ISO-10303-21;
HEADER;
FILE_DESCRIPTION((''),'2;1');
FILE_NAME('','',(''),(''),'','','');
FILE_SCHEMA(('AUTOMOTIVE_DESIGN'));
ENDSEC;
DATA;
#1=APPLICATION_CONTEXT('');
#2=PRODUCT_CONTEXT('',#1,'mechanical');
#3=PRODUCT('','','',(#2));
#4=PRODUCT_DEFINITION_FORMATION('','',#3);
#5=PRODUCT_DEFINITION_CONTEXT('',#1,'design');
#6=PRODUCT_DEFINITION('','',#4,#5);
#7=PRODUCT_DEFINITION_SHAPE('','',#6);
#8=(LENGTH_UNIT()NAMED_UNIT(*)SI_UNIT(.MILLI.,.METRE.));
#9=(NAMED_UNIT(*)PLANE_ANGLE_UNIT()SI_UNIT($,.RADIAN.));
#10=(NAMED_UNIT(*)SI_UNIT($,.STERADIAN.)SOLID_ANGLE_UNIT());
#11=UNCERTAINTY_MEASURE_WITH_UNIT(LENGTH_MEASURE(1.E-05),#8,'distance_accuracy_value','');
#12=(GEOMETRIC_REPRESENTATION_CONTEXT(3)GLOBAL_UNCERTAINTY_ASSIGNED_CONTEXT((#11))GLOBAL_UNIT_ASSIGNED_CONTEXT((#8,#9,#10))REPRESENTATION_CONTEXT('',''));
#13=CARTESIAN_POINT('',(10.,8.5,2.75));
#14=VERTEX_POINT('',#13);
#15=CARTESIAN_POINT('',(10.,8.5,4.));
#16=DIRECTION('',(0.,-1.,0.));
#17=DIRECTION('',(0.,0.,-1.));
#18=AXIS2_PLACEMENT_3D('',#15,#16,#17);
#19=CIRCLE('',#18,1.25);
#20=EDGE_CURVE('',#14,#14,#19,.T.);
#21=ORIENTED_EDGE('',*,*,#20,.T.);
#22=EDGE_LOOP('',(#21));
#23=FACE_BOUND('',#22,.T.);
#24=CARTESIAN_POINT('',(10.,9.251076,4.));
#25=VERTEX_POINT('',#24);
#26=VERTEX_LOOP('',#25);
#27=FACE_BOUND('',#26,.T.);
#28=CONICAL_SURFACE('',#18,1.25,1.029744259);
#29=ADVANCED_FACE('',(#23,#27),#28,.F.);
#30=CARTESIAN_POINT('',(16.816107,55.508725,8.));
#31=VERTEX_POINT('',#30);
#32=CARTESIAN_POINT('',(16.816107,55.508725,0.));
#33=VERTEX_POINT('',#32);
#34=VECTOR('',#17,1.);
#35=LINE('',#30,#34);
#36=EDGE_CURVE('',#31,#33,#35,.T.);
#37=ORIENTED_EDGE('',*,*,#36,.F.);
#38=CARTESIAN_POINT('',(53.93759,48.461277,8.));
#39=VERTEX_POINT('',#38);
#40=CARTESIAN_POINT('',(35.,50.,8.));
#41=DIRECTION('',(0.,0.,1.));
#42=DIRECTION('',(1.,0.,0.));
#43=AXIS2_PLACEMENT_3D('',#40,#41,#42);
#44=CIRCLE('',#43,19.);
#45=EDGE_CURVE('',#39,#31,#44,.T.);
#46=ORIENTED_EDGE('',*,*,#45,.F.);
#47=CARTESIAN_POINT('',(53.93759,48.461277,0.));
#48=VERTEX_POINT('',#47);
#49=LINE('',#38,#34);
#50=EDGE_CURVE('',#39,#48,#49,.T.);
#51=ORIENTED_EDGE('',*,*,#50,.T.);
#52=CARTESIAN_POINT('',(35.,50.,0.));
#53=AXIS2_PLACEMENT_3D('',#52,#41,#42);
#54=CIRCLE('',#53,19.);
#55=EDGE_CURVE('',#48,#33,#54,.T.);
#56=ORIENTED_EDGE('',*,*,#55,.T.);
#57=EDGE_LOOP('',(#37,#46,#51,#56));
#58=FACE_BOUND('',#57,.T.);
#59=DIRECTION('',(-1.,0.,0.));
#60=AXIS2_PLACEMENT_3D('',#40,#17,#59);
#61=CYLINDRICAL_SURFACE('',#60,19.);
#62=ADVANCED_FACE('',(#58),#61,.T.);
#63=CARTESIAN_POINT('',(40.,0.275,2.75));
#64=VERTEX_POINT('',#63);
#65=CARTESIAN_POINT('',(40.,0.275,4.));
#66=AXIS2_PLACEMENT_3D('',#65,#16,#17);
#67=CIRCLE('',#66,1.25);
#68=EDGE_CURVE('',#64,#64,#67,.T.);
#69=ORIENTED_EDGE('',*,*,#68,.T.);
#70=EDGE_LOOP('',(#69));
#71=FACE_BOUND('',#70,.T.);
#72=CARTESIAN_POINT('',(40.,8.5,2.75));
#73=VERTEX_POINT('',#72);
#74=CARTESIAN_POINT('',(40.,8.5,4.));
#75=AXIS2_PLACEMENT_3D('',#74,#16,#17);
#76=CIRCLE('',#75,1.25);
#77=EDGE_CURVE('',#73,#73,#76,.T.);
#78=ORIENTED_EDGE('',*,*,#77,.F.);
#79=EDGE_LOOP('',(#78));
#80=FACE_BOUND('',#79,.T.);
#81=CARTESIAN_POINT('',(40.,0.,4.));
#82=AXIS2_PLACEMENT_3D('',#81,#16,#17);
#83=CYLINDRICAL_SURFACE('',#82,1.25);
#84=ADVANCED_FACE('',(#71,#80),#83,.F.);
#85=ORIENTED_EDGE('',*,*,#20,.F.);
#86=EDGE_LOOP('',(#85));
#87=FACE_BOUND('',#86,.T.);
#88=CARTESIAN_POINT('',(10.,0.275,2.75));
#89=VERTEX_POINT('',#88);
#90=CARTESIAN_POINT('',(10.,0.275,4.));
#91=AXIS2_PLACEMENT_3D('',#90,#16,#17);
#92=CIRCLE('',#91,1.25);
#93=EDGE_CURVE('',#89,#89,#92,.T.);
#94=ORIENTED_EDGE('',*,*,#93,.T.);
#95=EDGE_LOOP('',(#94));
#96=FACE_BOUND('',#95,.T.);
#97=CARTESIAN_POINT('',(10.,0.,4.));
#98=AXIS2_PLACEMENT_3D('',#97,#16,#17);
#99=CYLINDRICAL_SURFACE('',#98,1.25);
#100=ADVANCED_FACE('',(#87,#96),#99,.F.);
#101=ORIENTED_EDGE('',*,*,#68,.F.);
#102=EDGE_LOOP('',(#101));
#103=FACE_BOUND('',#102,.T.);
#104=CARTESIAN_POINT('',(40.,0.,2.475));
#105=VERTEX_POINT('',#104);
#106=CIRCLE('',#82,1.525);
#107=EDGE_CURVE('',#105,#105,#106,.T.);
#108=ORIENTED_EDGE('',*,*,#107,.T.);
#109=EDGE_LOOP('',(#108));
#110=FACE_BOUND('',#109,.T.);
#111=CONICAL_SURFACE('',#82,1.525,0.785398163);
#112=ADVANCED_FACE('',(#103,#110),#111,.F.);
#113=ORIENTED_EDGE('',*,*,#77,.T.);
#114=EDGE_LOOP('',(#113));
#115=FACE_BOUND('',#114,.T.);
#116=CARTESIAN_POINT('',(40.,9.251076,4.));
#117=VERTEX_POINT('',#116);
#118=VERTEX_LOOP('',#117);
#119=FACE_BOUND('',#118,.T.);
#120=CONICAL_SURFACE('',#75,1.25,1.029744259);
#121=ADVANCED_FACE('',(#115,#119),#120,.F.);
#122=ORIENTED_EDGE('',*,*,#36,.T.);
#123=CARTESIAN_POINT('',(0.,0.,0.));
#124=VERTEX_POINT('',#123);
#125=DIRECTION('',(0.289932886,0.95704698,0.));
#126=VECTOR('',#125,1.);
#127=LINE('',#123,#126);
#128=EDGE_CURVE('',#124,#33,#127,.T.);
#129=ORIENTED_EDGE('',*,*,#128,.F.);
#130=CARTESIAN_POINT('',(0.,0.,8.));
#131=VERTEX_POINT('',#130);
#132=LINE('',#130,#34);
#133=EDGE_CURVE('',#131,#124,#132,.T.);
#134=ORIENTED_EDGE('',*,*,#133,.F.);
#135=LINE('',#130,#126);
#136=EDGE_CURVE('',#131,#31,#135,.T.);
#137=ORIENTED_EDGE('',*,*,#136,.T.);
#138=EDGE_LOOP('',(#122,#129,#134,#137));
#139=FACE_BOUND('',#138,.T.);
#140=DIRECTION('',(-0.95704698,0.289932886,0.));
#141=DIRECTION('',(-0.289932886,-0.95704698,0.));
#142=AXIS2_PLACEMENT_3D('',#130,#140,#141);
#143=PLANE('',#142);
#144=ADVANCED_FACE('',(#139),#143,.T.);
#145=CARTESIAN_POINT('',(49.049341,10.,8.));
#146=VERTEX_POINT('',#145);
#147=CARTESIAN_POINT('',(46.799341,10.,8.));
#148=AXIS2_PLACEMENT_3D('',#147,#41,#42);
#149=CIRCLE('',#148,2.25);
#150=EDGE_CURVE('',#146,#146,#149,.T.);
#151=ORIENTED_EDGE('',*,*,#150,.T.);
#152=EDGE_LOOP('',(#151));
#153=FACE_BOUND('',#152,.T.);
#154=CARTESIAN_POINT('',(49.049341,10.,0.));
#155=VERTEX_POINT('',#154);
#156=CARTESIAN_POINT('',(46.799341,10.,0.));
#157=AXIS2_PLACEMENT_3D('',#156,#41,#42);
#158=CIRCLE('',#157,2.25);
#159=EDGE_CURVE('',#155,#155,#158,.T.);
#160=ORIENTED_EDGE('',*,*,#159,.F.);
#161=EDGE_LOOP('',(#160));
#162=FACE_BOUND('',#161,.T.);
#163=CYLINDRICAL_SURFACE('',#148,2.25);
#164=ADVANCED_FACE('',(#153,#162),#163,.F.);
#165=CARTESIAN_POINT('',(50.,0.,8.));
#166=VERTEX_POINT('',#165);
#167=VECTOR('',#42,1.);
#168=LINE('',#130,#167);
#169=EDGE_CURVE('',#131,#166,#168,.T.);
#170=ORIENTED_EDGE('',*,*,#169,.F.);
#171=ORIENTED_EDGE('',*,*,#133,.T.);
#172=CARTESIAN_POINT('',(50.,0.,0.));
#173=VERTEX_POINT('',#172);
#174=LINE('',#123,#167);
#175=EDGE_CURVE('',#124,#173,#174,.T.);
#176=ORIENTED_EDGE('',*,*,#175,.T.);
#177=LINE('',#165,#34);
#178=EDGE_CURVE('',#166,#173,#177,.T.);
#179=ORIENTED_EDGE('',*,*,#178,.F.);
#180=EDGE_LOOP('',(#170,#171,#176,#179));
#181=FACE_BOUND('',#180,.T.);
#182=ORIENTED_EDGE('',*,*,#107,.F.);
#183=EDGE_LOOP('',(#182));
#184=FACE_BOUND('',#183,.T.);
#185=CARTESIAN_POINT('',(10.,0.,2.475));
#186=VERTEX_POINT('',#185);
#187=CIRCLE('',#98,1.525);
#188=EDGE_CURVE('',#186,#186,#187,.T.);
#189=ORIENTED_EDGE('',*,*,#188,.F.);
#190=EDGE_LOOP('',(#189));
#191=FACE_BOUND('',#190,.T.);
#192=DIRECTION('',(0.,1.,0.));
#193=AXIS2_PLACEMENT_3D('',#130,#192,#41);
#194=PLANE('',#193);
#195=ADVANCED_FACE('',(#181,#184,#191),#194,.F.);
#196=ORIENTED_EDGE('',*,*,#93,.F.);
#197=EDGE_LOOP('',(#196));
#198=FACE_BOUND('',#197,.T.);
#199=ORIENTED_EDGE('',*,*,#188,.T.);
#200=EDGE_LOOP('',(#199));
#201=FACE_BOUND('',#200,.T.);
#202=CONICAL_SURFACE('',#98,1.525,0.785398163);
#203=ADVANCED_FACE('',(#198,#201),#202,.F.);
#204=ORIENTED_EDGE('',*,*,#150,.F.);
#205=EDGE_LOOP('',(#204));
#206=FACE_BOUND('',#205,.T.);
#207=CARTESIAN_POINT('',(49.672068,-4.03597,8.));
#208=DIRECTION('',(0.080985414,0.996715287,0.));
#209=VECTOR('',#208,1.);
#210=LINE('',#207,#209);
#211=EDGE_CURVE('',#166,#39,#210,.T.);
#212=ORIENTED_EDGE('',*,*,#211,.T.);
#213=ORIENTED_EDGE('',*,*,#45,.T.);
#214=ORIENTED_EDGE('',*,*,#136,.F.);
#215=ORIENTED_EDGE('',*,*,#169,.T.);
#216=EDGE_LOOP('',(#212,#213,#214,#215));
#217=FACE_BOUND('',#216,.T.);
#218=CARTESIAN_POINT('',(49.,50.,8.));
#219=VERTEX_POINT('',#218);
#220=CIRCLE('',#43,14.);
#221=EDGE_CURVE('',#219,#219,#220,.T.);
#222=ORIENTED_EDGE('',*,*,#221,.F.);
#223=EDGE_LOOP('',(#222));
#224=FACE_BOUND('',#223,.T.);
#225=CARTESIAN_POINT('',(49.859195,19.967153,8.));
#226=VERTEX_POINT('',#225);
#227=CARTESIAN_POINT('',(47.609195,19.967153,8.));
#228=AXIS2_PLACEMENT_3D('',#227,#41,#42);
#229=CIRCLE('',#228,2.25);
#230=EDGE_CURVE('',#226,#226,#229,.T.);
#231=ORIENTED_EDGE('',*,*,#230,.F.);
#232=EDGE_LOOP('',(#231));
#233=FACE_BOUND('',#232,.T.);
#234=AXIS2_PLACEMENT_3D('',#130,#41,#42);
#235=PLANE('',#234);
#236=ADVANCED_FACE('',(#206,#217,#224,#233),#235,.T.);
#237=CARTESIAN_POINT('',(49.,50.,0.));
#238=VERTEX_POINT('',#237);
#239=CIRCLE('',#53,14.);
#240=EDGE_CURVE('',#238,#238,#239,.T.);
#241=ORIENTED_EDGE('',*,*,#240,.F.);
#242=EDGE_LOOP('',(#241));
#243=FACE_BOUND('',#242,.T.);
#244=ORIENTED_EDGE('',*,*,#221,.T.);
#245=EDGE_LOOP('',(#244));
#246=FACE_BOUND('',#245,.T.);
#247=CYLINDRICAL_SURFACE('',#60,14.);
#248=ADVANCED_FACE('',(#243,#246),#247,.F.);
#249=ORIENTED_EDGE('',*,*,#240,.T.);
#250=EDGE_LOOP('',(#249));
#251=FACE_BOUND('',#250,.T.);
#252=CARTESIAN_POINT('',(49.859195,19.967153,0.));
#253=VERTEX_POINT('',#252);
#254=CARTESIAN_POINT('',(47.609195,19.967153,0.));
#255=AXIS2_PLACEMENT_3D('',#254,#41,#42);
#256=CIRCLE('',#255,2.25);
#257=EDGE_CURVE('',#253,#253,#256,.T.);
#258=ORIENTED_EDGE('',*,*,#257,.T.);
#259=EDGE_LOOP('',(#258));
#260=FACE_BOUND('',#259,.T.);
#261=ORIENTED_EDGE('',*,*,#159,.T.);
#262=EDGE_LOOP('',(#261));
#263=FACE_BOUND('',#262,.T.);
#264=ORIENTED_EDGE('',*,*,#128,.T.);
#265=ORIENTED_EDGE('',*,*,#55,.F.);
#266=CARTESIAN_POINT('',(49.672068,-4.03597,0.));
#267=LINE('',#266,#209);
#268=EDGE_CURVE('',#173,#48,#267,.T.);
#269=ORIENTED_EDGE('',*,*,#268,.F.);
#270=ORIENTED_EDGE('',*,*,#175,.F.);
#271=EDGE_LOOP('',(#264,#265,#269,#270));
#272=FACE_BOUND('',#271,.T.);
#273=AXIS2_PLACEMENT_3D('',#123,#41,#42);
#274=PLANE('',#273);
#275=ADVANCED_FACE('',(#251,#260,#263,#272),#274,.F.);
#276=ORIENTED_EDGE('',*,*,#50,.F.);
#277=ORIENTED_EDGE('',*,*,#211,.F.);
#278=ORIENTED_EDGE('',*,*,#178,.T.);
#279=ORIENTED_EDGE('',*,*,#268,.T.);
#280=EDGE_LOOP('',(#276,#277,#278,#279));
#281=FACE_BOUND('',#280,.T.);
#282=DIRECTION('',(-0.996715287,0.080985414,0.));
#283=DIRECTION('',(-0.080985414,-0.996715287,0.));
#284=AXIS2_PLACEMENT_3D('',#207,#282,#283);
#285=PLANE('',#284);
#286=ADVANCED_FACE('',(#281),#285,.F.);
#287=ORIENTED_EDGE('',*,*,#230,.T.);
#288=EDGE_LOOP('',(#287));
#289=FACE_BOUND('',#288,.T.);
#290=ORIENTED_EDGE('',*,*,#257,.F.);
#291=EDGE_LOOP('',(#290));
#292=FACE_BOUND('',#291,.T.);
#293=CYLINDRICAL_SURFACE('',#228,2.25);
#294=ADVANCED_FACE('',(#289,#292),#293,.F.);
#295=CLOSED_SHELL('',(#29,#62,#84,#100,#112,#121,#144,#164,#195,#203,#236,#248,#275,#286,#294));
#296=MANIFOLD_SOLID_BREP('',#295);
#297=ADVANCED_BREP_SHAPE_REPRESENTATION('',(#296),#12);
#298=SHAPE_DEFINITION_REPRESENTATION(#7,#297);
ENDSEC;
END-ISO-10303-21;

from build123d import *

# Parameters (mm, degrees)
SKETCH_1_R                   = 19
SKETCH_1_R_2                 = 14
EXTRUDE_1_DEPTH              = 8
HOLE_WIZARD_M4_1_D           = 4.5
HOLE_WIZARD_M3_1_D           = 2.5
HOLE_WIZARD_M3_1_DEPTH       = 8.5
HOLE_WIZARD_M3_1_CSINK_D     = 3.05
HOLE_WIZARD_M3_1_CSINK_ANGLE = 90
HOLE_WIZARD_M3_1_TIP         = 0.751075774


with BuildPart() as part:
    # 스케치1 → 보스-돌출1 (new body)
    # profile 1 of 2: a face of its own
    with BuildSketch(Plane.XY):
        with BuildLine():
            Line((16.816107383, 55.508724832), (0, 0))
            Line((0, 0), (50, 0))
            Line((50, 0), (53.937590447, 48.461277134))
            ThreePointArc((53.937590447, 48.461277134), (31.456182162, 31.333416083), (16.816107383, 55.508724832))
        make_face()
    # profile 2 of 2: a face of its own
    with BuildSketch(Plane.XY):
        with Locations((35, 50)):
            Circle(SKETCH_1_R)
        with Locations((35, 50)):
            Circle(SKETCH_1_R_2, mode=Mode.SUBTRACT)
    extrude(amount=EXTRUDE_1_DEPTH)

    # M4 여유 구멍1 (through all)
    with Locations(Plane.XY.offset(8)):
        with Locations((46.799340892, 10), (47.609195032, 19.967152867)):
            Hole(HOLE_WIZARD_M4_1_D / 2)

    # M3 나사 구멍1
    with Locations(Plane(origin=(0, 0, 0), x_dir=(-1, 0, 0), z_dir=(0, -1, 0))):
        with Locations((-10, -4), (-40, -4)):
            CounterSinkHole(HOLE_WIZARD_M3_1_D / 2, HOLE_WIZARD_M3_1_CSINK_D / 2, depth=HOLE_WIZARD_M3_1_DEPTH, counter_sink_angle=HOLE_WIZARD_M3_1_CSINK_ANGLE)
            with Locations((0, 0, -(HOLE_WIZARD_M3_1_DEPTH + HOLE_WIZARD_M3_1_TIP / 2))):  # 118° drill point
                Cone(0, HOLE_WIZARD_M3_1_D / 2, HOLE_WIZARD_M3_1_TIP, mode=Mode.SUBTRACT)


solid = part.part
